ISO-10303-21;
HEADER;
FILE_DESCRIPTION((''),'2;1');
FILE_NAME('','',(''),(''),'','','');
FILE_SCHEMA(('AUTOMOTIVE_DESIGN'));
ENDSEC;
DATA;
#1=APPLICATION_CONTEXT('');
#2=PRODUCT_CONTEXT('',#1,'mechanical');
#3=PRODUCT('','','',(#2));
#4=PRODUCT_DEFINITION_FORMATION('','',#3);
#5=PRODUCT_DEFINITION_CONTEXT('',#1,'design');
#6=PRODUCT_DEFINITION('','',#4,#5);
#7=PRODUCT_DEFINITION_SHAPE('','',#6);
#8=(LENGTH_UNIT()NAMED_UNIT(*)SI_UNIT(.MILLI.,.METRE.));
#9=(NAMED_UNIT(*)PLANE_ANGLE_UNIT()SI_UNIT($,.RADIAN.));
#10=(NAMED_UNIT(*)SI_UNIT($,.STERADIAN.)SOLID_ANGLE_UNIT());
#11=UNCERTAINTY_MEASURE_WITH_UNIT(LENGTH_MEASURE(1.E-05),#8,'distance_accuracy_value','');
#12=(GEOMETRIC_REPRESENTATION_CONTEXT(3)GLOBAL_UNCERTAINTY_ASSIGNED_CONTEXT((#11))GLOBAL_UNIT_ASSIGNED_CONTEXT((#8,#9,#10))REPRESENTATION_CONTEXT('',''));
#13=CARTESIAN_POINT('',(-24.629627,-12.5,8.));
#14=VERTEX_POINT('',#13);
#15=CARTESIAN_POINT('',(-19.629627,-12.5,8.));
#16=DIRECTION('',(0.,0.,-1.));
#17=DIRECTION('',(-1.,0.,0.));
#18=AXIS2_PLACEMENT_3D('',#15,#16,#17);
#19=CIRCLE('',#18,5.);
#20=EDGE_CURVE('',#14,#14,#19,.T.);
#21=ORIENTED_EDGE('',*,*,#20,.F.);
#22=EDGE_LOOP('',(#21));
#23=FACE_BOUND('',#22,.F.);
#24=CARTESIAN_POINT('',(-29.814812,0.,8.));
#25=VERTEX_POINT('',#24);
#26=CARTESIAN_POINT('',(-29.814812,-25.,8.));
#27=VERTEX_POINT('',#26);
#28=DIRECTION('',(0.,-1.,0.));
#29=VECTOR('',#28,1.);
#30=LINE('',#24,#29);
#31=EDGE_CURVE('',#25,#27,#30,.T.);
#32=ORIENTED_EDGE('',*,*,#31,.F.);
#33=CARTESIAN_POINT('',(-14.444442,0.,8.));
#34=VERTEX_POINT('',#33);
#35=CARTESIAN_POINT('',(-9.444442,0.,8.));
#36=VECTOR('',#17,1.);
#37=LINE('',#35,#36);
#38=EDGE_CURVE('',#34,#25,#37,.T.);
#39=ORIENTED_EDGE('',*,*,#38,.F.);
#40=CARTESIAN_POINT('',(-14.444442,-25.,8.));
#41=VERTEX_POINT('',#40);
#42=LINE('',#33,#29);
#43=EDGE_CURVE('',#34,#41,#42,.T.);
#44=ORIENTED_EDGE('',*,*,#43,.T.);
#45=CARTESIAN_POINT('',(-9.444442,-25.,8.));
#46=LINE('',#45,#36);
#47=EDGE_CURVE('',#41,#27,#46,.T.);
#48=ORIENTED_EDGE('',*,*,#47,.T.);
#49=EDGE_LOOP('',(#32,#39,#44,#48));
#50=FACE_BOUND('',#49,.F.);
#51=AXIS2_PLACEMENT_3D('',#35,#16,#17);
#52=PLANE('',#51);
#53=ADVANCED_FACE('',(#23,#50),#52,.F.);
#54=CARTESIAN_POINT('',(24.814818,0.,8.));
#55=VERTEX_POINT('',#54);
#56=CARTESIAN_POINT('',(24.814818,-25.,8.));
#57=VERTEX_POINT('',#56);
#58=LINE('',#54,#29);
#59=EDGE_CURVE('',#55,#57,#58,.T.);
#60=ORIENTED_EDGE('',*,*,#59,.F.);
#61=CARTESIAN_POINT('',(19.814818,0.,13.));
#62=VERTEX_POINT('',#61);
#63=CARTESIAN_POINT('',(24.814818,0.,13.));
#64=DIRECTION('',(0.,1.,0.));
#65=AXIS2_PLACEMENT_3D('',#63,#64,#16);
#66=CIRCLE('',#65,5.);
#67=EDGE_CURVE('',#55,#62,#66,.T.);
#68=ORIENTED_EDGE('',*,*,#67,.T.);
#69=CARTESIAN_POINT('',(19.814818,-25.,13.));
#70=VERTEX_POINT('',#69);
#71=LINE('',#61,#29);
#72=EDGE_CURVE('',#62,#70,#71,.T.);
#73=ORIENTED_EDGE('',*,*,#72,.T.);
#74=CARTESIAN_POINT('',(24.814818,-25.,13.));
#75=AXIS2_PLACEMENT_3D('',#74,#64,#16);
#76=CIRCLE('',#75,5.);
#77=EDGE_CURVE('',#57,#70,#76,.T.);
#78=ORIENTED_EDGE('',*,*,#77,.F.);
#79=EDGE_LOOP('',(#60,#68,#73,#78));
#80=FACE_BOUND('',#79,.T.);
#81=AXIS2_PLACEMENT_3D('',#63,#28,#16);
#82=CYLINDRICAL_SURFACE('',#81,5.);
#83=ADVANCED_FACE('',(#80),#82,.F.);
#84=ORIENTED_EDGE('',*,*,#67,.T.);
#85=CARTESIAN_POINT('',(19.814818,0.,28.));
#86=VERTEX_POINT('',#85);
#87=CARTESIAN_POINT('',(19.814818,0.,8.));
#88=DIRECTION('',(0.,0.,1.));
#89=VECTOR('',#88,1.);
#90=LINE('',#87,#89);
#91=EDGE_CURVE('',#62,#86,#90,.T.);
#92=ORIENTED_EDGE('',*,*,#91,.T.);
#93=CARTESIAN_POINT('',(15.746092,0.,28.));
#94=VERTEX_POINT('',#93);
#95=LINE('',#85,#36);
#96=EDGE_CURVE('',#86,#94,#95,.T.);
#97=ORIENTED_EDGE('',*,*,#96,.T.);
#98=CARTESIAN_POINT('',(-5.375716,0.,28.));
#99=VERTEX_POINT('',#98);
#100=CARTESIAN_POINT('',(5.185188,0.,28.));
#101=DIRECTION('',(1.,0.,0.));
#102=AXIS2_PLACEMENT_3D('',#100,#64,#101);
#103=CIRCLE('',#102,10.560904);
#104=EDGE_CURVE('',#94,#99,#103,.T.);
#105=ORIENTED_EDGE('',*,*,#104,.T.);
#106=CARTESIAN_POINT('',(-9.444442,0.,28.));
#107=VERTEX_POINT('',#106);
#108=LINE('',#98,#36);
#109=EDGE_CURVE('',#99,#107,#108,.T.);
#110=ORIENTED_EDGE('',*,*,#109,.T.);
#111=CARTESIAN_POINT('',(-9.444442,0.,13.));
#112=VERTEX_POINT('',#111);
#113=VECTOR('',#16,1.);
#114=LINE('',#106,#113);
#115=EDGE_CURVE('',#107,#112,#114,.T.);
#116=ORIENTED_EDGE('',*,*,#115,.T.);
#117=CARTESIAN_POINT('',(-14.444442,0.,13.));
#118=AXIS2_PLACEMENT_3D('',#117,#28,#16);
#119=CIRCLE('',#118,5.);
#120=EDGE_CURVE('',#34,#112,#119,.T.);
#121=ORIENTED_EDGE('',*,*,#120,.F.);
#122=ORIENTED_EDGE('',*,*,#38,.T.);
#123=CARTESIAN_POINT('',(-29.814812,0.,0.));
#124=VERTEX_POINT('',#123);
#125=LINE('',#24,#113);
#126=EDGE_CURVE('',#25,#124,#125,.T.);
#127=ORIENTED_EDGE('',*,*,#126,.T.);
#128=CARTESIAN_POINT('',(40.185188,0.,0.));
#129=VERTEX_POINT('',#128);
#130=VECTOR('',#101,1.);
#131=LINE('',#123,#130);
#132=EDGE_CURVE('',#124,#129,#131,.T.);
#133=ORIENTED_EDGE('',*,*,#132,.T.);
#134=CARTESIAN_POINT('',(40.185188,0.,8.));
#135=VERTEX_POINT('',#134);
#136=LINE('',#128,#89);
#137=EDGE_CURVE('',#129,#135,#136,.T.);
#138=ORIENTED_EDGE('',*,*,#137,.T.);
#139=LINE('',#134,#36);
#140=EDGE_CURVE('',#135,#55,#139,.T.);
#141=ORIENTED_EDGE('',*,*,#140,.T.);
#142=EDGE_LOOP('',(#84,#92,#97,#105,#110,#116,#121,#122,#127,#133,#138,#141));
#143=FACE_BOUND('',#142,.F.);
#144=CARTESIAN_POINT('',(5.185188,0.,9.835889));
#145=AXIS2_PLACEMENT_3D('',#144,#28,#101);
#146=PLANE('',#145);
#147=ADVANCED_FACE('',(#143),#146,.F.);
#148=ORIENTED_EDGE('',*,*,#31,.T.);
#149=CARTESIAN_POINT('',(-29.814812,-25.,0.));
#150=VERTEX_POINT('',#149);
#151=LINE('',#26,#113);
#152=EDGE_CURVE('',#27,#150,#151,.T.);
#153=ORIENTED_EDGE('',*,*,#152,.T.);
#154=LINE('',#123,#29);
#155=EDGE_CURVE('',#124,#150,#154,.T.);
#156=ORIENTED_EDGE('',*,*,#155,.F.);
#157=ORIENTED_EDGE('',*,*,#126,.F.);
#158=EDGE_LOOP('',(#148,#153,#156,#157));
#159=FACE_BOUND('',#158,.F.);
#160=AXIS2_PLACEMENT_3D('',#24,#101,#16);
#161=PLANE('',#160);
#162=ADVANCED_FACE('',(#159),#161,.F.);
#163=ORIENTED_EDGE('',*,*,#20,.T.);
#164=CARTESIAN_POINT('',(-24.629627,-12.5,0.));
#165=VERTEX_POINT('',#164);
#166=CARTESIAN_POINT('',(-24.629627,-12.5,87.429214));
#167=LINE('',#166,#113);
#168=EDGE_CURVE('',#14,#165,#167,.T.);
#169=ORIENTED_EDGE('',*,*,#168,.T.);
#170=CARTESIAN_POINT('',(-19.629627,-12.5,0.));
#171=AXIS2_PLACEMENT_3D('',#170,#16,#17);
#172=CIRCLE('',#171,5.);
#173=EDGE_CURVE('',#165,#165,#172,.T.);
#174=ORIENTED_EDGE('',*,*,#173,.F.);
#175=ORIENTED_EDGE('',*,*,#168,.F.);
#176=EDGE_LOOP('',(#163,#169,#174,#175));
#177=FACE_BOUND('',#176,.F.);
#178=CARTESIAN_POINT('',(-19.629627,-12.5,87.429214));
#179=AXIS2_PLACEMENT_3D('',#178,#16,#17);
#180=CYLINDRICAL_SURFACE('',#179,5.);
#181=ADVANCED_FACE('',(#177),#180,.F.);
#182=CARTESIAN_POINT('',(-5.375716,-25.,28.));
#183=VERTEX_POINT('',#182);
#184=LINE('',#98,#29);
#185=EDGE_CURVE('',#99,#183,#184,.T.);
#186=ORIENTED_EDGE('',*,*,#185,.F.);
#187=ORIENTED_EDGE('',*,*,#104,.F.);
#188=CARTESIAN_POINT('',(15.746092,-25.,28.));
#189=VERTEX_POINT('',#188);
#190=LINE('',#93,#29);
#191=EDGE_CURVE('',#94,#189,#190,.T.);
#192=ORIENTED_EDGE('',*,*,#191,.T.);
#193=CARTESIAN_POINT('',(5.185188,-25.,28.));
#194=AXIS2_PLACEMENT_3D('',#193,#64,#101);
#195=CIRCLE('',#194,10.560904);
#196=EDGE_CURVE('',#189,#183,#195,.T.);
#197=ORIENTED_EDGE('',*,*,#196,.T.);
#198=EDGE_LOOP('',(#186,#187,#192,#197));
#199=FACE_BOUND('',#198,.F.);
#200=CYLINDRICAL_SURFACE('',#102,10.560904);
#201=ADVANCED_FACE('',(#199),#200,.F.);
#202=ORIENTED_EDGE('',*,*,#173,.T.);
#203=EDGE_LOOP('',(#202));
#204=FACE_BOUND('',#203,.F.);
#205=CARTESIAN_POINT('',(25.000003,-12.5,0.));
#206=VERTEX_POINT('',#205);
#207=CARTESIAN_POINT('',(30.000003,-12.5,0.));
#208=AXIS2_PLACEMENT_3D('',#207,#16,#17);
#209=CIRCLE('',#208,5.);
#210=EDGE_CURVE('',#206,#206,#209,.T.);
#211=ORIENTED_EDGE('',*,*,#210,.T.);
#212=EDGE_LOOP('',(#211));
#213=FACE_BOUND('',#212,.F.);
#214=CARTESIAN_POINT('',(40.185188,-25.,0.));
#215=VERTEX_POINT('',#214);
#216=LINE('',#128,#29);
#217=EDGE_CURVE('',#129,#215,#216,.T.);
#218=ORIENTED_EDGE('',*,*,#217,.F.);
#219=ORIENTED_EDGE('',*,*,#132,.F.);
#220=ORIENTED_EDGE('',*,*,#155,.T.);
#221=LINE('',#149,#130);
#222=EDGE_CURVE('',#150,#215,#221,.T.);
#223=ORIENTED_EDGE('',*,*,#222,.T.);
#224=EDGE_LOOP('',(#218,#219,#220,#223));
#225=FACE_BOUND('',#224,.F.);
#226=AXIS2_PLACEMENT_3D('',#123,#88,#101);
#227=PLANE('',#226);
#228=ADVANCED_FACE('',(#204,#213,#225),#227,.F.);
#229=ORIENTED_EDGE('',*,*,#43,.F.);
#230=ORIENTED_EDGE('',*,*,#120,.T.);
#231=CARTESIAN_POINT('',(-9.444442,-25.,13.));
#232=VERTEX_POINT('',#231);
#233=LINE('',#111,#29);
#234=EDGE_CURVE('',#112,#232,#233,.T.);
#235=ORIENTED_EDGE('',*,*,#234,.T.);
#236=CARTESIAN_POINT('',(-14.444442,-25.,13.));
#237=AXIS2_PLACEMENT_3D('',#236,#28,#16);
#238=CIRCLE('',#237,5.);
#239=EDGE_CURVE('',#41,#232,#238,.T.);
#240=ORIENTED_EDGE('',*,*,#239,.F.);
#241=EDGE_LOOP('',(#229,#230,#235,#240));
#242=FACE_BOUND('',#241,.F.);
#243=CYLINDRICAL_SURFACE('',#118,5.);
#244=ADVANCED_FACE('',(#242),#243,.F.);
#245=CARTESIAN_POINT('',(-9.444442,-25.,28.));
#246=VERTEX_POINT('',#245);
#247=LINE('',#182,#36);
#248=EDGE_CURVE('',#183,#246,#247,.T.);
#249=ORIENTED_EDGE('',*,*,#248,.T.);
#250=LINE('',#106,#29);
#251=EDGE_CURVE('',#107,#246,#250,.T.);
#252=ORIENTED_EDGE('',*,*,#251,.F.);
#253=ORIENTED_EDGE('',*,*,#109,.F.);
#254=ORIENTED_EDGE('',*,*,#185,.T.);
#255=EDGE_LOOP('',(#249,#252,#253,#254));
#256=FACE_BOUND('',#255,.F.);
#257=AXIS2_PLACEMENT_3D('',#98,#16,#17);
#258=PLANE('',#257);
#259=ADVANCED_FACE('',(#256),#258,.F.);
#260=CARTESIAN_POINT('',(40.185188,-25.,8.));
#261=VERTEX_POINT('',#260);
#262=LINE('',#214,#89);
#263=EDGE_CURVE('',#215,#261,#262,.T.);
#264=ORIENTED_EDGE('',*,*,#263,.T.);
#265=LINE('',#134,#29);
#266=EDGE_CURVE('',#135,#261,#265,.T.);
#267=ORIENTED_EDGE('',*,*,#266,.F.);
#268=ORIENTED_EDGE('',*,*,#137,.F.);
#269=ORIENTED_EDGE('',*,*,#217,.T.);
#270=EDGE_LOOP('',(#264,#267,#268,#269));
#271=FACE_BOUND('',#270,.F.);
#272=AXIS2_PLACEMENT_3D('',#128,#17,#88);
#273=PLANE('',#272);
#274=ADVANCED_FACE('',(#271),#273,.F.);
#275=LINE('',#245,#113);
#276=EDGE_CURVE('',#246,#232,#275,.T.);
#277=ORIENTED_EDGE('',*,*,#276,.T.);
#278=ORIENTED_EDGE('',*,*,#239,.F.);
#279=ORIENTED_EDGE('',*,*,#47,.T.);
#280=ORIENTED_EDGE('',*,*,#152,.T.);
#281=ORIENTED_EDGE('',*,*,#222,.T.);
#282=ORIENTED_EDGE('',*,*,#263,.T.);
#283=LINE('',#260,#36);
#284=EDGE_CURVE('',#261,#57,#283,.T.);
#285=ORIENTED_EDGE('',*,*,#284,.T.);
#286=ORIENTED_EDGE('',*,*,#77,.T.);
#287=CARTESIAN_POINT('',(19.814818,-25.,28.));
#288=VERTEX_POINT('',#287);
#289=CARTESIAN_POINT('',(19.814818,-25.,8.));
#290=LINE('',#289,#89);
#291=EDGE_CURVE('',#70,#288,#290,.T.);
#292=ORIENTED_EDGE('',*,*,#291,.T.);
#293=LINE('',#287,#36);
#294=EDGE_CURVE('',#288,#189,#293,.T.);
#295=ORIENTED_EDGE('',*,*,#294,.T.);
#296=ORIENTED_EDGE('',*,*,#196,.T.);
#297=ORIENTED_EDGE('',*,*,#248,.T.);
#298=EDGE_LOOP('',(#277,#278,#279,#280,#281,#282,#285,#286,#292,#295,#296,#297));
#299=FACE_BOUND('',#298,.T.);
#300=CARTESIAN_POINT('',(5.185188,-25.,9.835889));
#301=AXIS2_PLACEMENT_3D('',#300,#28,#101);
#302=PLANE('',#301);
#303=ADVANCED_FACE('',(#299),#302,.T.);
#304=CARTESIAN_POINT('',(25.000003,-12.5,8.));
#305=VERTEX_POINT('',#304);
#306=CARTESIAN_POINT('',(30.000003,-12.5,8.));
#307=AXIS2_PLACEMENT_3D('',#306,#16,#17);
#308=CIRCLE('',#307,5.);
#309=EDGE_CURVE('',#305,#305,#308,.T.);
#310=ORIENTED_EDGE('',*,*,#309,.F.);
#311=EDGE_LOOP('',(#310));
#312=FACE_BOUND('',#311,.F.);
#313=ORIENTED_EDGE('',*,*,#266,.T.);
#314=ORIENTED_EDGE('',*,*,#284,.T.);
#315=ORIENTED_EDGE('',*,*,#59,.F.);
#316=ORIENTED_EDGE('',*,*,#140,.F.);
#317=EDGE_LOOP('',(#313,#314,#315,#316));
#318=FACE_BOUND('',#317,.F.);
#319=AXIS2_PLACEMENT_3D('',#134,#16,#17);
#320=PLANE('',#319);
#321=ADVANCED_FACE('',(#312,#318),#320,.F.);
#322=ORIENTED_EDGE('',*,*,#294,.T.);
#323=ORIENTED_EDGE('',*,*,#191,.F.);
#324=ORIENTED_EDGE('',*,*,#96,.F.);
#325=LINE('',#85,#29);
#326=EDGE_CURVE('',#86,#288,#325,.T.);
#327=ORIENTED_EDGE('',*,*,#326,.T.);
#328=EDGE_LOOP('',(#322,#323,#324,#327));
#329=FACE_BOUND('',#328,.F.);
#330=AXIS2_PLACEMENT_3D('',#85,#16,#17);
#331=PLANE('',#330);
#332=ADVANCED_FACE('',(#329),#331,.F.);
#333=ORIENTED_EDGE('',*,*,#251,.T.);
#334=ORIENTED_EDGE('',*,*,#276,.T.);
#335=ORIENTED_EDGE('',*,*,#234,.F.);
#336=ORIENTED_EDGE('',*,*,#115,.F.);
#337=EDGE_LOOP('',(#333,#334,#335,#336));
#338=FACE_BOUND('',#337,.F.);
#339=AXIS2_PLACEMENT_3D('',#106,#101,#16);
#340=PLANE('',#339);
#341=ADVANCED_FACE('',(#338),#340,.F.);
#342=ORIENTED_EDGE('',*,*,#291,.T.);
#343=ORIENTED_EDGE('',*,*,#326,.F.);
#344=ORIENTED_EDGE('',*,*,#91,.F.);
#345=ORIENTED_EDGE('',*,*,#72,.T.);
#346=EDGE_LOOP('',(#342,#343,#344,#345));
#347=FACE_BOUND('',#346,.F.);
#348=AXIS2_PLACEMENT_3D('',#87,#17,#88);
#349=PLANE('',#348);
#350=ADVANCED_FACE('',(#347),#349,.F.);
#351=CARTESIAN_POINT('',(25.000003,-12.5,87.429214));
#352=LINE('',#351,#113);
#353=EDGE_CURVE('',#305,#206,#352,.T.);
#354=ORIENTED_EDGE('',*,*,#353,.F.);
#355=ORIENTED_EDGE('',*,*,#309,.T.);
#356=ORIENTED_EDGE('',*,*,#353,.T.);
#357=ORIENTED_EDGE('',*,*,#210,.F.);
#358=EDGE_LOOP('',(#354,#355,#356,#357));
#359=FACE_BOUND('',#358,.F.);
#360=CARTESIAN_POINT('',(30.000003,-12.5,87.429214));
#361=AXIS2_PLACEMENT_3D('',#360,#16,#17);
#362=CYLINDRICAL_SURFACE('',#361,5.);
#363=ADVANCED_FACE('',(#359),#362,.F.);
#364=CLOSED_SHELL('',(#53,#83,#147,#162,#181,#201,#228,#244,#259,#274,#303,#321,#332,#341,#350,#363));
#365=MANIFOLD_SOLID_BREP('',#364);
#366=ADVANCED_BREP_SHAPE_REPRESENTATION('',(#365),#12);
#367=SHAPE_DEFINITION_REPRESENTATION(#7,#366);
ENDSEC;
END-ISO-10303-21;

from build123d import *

# Parameters (mm, degrees)
F1_DEPTH = 25
F3_D     = 10
F4_D     = 10
F5_R     = 5


with BuildPart() as f1:
    # F0 (on Front) → F1 (new body)
    with BuildSketch(Plane.XZ):
        with BuildLine():
            Line((-29.814812, 8), (-29.814812, 0))
            Line((-29.814812, 0), (40.185188, 0))
            Line((40.185188, 0), (40.185188, 8))
            Line((40.185188, 8), (19.814818, 8))
            Line((19.814818, 8), (19.814818, 28))
            Line((19.814818, 28), (15.746092, 28))
            ThreePointArc((15.746092, 28), (5.185188, 17.439096), (-5.375716, 28))
            Line((-5.375716, 28), (-9.444442, 28))
            Line((-9.444442, 28), (-9.444442, 8))
            Line((-9.444442, 8), (-29.814812, 8))
        make_face()
    extrude(amount=F1_DEPTH)

    # F3 (through all)
    with Locations(Plane.XY.offset(8)):
        with Locations((-19.629627, -12.5)):
            Hole(F3_D / 2)

    # F4 (through all)
    with Locations(Plane.XY.offset(8)):
        with Locations((30.000003, -12.5)):
            Hole(F4_D / 2)

    # F5
    f5_edges = [f1.edges().sort_by_distance(p)[0] for p in [
        (-9.444442, -12.5, 8),
        (19.814818, -12.5, 8),
    ]]
    fillet(f5_edges, radius=F5_R)


solid = f1.part
